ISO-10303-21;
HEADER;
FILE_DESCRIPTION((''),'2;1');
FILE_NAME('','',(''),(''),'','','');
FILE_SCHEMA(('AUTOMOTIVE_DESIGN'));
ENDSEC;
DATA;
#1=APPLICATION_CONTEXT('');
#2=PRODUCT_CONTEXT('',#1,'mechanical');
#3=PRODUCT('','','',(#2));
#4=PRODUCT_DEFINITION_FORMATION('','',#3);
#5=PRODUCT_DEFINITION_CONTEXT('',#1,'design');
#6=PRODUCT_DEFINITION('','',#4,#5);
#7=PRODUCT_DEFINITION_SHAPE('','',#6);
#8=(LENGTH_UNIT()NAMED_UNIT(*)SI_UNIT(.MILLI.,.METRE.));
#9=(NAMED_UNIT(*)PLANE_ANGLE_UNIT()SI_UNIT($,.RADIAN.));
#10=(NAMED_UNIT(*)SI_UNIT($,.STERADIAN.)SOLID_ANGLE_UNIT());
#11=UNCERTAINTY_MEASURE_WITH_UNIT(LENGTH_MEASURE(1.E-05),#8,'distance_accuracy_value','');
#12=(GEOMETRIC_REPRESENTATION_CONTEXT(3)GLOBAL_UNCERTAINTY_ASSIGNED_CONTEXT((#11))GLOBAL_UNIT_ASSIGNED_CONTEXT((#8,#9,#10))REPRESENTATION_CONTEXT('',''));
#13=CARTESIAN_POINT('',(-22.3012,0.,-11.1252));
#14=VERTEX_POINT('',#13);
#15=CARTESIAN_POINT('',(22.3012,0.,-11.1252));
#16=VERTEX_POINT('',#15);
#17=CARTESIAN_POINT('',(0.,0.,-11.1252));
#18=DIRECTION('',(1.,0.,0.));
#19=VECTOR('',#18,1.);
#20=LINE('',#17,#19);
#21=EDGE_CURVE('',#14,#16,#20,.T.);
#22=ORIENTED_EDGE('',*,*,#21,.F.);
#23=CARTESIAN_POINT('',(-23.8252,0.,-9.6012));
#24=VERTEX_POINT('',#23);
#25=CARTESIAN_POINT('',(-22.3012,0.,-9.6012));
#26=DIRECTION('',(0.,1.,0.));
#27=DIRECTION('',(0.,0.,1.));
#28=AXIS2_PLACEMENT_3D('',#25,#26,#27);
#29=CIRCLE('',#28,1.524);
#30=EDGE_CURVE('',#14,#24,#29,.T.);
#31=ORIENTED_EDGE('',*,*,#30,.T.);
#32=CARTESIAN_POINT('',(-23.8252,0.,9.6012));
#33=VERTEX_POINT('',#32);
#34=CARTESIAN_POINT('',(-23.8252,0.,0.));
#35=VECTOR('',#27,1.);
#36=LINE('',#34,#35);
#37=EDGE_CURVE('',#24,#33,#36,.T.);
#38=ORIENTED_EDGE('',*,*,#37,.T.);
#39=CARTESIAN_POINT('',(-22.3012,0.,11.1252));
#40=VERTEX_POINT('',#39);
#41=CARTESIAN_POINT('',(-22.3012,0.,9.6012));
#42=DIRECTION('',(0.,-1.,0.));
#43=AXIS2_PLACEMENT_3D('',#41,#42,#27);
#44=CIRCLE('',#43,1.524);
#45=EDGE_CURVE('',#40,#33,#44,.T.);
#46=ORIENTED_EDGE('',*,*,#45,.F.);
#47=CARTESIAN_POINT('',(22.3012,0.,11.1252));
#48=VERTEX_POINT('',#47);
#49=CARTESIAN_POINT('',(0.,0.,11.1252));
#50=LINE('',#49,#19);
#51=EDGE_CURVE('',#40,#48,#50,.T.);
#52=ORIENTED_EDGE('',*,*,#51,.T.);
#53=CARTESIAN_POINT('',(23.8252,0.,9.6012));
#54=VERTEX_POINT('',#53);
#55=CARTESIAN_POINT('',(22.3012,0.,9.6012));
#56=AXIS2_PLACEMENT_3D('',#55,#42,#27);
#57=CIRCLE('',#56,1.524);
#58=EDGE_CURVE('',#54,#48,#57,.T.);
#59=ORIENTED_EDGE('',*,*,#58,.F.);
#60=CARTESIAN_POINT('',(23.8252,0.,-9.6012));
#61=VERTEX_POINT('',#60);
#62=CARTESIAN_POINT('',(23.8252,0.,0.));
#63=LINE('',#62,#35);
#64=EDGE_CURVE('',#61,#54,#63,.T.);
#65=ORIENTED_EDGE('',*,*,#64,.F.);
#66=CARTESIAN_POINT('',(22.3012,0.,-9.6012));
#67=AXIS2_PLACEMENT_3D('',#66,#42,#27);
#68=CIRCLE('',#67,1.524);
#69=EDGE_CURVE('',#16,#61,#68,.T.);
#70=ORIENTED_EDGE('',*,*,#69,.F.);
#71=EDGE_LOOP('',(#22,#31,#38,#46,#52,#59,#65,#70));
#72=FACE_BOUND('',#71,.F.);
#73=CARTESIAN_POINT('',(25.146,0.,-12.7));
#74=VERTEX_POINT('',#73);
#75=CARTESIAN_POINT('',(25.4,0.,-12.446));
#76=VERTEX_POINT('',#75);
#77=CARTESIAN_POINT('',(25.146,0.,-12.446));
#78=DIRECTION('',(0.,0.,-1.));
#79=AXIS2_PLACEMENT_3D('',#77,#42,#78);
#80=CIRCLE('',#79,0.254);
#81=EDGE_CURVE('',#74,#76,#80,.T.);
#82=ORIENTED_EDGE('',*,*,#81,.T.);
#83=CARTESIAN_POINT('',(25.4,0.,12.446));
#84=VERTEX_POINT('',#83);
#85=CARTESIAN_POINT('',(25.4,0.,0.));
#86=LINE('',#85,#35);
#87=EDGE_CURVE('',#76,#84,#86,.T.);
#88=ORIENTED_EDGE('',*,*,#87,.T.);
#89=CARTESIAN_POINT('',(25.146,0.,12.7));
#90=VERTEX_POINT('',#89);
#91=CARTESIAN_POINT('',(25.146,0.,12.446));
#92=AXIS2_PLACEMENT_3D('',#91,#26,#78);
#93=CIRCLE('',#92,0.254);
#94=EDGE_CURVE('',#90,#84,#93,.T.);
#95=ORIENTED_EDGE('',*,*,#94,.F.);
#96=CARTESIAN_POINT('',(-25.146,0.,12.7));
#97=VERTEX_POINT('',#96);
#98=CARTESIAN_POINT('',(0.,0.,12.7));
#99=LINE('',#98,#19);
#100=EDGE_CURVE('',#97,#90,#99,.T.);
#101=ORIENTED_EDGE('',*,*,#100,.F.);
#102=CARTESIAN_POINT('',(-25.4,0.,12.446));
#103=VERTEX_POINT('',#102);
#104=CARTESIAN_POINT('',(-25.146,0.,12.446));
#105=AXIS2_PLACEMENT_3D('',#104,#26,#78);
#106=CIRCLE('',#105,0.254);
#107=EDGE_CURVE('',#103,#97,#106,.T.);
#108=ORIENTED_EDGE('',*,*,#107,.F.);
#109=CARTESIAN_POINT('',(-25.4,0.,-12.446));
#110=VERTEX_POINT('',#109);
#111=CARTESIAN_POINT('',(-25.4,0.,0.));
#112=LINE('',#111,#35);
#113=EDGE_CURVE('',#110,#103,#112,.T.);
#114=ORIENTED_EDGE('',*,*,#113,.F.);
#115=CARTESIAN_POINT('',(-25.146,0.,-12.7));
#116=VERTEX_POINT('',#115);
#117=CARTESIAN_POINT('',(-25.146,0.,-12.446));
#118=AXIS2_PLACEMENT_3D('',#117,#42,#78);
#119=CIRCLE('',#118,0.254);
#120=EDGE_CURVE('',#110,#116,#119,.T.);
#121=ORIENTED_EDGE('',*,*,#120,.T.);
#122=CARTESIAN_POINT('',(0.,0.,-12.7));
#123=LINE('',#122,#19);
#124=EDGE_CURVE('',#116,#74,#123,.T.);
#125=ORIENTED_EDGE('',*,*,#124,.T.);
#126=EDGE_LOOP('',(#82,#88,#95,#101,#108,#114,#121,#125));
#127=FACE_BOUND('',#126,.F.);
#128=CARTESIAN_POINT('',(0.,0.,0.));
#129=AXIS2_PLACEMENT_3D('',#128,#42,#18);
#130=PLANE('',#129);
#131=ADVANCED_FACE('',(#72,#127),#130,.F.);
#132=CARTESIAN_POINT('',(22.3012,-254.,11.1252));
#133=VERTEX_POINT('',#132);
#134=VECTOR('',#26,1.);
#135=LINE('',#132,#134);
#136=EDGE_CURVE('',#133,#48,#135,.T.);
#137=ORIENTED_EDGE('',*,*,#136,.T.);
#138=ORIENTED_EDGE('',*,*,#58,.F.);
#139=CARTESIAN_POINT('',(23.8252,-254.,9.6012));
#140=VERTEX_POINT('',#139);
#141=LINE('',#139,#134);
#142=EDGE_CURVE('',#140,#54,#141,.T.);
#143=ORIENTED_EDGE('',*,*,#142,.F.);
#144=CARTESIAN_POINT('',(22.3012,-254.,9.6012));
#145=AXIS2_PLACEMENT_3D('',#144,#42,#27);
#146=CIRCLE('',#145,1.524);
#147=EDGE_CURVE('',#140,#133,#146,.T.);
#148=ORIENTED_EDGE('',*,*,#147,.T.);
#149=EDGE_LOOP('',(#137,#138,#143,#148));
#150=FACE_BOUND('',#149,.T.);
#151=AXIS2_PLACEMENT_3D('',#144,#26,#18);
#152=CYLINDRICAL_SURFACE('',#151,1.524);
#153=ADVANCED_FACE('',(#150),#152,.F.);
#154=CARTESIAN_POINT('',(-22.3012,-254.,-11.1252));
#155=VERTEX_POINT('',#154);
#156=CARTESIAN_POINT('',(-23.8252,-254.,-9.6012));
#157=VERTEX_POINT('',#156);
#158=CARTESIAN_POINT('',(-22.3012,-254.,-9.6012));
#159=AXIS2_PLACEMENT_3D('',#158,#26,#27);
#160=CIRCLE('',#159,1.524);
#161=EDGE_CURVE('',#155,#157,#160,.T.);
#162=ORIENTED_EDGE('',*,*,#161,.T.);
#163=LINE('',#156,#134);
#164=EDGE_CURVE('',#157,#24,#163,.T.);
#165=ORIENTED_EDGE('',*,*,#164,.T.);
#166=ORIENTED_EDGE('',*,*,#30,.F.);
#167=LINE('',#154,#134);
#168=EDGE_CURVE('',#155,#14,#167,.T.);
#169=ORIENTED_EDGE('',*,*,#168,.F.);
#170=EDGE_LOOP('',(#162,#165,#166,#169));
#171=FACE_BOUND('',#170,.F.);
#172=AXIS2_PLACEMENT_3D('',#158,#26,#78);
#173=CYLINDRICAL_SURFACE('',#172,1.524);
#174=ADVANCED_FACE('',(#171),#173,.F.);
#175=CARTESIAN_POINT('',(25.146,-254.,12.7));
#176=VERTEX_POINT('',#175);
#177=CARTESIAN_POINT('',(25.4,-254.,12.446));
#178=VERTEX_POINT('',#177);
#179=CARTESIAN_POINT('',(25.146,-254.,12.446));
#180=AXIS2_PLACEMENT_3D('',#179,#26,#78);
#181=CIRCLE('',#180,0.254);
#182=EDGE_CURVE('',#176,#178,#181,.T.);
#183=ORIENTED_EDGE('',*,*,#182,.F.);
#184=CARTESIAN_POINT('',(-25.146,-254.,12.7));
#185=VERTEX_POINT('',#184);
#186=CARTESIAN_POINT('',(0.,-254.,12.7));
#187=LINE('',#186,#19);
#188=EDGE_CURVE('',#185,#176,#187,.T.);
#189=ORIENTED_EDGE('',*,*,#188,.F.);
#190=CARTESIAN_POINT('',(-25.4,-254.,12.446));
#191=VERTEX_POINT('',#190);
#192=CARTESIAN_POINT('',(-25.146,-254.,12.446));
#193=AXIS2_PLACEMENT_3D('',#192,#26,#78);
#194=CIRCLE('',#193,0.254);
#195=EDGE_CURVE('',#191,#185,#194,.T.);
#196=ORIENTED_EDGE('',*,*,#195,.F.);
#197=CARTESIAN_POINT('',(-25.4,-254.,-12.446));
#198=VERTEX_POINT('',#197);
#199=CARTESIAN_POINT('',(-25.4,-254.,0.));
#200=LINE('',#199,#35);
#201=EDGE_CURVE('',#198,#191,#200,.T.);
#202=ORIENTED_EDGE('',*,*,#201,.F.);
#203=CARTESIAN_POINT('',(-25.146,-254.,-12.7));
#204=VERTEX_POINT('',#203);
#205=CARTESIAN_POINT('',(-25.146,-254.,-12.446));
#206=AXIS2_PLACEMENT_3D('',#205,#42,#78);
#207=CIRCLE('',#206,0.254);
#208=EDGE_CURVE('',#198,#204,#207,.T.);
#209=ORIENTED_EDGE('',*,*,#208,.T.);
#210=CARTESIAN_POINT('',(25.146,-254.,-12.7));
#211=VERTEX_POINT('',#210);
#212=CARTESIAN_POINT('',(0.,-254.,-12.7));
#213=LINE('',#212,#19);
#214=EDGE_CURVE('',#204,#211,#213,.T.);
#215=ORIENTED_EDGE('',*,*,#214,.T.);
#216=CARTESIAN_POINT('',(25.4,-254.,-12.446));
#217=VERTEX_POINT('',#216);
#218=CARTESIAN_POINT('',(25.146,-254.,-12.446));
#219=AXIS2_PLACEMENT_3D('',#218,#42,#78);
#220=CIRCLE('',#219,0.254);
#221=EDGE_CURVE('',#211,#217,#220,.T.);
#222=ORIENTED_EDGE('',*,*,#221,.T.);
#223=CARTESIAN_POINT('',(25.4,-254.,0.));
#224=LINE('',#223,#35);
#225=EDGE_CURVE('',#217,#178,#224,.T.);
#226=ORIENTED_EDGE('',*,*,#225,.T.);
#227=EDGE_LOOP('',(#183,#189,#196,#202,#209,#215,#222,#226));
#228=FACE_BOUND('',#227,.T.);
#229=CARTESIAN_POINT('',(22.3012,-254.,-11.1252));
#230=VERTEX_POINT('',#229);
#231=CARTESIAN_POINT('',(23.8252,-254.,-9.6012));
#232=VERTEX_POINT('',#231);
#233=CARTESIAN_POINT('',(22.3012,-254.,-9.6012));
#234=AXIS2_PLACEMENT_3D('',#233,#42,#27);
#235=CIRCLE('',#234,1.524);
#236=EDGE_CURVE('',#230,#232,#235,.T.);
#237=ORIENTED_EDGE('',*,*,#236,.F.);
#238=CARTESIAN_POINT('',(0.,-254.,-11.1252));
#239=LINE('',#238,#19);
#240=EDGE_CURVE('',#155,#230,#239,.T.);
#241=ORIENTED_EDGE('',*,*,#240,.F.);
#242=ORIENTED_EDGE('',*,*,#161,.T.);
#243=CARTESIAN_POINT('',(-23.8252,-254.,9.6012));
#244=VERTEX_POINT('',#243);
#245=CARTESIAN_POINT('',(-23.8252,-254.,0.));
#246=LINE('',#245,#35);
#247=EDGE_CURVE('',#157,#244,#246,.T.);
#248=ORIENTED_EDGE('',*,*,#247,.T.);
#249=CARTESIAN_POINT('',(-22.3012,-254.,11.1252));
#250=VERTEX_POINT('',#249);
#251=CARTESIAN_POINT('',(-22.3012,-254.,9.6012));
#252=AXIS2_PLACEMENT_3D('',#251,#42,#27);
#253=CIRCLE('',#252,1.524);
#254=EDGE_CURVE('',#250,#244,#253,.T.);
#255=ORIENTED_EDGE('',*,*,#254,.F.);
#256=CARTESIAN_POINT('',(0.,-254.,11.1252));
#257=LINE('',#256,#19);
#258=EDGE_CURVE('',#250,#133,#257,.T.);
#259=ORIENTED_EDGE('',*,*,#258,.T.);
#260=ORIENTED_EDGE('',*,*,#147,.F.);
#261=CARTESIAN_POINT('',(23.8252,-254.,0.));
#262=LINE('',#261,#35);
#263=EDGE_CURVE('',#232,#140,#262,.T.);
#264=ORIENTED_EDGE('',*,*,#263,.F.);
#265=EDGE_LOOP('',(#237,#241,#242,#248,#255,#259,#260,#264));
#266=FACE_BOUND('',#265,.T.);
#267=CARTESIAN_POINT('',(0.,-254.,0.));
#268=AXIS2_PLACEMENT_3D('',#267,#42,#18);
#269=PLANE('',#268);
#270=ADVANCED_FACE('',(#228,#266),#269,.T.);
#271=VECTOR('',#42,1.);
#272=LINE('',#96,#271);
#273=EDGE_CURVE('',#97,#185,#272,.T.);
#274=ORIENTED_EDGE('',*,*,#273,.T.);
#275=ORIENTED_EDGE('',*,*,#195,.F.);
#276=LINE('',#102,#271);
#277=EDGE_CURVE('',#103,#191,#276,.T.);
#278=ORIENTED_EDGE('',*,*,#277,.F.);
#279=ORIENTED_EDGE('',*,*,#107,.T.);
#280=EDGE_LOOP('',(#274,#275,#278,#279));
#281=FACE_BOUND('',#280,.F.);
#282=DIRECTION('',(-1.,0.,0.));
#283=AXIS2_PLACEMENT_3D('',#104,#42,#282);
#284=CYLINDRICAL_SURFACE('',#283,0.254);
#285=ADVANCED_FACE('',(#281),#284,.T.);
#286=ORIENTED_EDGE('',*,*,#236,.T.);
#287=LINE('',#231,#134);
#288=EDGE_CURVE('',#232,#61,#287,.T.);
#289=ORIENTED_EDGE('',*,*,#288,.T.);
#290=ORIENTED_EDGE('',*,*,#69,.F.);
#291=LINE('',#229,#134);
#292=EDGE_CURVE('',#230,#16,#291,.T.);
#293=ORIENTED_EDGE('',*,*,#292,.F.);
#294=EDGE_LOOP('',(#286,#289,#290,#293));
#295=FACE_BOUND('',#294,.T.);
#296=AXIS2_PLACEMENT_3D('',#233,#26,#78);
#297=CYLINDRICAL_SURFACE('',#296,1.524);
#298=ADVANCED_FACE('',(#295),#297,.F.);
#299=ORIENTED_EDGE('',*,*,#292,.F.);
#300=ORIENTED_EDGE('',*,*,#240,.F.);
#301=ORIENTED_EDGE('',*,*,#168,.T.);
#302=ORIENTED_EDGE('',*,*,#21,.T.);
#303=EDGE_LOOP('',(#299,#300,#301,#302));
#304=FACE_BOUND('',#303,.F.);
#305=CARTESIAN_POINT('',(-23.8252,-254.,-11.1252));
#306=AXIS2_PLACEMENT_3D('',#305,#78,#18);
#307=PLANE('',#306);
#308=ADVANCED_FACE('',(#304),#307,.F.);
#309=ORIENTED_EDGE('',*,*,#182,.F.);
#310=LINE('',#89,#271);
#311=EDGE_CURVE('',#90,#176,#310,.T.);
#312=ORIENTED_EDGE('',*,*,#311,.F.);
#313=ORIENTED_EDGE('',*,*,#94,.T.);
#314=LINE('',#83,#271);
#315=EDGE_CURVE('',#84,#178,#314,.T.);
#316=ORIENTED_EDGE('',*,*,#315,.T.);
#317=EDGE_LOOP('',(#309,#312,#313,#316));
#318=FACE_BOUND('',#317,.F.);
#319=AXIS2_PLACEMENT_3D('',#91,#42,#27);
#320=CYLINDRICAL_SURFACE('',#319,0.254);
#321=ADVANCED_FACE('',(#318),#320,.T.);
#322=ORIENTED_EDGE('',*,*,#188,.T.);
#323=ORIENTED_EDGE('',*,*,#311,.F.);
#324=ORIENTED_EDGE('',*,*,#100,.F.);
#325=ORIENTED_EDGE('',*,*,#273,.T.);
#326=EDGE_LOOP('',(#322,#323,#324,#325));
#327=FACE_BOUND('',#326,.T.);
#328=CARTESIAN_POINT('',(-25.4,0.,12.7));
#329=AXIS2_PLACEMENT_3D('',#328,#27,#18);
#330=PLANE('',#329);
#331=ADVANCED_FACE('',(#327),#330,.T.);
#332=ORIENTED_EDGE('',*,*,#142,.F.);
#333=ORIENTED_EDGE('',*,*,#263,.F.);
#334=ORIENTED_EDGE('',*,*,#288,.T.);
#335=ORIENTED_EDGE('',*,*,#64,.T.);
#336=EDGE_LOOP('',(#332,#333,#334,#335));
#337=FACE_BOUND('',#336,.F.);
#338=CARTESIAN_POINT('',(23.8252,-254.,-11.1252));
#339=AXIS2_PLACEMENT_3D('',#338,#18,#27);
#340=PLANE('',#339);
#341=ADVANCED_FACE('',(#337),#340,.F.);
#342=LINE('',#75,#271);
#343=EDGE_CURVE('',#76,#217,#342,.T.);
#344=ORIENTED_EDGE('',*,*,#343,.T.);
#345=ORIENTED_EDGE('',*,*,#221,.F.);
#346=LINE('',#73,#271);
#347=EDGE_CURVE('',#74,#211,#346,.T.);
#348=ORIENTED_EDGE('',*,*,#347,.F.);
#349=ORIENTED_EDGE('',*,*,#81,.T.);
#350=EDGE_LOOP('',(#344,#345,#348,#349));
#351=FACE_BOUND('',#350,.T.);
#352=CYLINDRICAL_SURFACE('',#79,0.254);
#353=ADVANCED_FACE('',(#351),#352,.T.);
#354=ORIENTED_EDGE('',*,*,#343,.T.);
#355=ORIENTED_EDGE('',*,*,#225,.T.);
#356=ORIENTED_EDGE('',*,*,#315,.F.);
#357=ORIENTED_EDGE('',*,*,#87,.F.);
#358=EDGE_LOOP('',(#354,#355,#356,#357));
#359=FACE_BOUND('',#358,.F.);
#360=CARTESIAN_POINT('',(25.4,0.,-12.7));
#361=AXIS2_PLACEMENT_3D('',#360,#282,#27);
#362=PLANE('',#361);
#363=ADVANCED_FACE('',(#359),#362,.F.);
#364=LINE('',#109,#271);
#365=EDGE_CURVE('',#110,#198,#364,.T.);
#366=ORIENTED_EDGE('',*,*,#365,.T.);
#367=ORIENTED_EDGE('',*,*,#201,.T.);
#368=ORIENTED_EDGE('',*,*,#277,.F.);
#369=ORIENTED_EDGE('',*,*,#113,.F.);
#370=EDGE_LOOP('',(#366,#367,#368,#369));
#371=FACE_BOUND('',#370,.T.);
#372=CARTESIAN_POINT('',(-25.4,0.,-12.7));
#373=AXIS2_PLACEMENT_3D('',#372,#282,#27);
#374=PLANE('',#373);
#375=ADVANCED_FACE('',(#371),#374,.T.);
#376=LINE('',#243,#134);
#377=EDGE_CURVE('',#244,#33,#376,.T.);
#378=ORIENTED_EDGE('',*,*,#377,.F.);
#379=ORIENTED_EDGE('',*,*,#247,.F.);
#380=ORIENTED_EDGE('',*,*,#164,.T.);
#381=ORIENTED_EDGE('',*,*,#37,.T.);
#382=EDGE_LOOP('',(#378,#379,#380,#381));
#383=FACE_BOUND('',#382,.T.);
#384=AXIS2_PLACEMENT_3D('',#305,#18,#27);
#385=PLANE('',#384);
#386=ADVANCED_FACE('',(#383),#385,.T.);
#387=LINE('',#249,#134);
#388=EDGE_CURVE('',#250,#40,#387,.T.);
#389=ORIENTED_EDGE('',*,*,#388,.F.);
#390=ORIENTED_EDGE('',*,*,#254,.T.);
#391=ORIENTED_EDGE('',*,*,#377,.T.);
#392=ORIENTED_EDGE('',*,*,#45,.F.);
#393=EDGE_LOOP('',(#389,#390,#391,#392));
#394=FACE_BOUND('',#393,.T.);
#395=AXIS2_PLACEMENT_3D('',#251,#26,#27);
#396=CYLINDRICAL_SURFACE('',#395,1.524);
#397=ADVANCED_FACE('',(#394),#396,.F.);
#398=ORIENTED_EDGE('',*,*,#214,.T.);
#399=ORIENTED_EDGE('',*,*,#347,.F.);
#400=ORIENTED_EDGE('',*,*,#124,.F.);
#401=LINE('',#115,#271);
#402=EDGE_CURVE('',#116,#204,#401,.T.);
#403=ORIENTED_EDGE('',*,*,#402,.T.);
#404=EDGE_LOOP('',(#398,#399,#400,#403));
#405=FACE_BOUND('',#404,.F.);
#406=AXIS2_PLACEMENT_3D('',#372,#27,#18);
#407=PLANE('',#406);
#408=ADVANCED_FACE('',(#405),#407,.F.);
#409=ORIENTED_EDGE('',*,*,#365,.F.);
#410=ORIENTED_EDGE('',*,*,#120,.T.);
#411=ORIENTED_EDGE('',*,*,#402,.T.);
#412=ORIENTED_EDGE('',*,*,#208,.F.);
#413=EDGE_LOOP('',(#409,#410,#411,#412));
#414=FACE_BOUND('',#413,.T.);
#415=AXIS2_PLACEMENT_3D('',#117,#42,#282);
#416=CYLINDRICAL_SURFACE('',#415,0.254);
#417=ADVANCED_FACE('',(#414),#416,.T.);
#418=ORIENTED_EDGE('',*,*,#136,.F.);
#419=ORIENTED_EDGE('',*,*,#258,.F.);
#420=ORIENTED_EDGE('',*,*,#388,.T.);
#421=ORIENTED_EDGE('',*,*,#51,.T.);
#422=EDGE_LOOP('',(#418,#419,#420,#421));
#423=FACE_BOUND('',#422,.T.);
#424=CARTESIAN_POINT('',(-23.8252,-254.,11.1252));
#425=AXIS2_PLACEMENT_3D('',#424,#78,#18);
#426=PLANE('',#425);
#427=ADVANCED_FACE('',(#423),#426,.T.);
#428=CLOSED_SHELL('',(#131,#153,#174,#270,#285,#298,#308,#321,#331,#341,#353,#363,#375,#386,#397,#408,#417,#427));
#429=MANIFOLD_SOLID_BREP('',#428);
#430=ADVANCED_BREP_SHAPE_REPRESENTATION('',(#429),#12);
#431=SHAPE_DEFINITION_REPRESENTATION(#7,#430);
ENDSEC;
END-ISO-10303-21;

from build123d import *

# Parameters (mm, degrees)
F0_W     = 50.8
F0_H     = 25.4
F1_DEPTH = 254
F2_W     = 47.6504
F2_H     = 22.2504
F3_DEPTH = 254
F4_R     = 1.524
F5_R     = 0.254


with BuildPart() as f1:
    # F0 (on Front) → F1 (new body)
    with BuildSketch(Plane.XZ):
        Rectangle(F0_W, F0_H)
    extrude(amount=F1_DEPTH)

    # F2 (on face) → F3 (cut, through all)
    with BuildSketch(Plane.XZ.offset(254)):
        Rectangle(F2_W, F2_H)
    extrude(amount=-F3_DEPTH, mode=Mode.SUBTRACT)

    # F4
    f4_edges = [f1.edges().sort_by_distance(p)[0] for p in [
        (23.8252, -127, -11.1252),
        (23.8252, -127, 11.1252),
        (-23.8252, -127, -11.1252),
        (-23.8252, -127, 11.1252),
    ]]
    fillet(f4_edges, radius=F4_R)

    # F5
    f5_edges = [f1.edges().sort_by_distance(p)[0] for p in [
        (-25.4, -127, 12.7),
        (25.4, -127, 12.7),
        (25.4, -127, -12.7),
        (-25.4, -127, -12.7),
    ]]
    fillet(f5_edges, radius=F5_R)


solid = f1.part
